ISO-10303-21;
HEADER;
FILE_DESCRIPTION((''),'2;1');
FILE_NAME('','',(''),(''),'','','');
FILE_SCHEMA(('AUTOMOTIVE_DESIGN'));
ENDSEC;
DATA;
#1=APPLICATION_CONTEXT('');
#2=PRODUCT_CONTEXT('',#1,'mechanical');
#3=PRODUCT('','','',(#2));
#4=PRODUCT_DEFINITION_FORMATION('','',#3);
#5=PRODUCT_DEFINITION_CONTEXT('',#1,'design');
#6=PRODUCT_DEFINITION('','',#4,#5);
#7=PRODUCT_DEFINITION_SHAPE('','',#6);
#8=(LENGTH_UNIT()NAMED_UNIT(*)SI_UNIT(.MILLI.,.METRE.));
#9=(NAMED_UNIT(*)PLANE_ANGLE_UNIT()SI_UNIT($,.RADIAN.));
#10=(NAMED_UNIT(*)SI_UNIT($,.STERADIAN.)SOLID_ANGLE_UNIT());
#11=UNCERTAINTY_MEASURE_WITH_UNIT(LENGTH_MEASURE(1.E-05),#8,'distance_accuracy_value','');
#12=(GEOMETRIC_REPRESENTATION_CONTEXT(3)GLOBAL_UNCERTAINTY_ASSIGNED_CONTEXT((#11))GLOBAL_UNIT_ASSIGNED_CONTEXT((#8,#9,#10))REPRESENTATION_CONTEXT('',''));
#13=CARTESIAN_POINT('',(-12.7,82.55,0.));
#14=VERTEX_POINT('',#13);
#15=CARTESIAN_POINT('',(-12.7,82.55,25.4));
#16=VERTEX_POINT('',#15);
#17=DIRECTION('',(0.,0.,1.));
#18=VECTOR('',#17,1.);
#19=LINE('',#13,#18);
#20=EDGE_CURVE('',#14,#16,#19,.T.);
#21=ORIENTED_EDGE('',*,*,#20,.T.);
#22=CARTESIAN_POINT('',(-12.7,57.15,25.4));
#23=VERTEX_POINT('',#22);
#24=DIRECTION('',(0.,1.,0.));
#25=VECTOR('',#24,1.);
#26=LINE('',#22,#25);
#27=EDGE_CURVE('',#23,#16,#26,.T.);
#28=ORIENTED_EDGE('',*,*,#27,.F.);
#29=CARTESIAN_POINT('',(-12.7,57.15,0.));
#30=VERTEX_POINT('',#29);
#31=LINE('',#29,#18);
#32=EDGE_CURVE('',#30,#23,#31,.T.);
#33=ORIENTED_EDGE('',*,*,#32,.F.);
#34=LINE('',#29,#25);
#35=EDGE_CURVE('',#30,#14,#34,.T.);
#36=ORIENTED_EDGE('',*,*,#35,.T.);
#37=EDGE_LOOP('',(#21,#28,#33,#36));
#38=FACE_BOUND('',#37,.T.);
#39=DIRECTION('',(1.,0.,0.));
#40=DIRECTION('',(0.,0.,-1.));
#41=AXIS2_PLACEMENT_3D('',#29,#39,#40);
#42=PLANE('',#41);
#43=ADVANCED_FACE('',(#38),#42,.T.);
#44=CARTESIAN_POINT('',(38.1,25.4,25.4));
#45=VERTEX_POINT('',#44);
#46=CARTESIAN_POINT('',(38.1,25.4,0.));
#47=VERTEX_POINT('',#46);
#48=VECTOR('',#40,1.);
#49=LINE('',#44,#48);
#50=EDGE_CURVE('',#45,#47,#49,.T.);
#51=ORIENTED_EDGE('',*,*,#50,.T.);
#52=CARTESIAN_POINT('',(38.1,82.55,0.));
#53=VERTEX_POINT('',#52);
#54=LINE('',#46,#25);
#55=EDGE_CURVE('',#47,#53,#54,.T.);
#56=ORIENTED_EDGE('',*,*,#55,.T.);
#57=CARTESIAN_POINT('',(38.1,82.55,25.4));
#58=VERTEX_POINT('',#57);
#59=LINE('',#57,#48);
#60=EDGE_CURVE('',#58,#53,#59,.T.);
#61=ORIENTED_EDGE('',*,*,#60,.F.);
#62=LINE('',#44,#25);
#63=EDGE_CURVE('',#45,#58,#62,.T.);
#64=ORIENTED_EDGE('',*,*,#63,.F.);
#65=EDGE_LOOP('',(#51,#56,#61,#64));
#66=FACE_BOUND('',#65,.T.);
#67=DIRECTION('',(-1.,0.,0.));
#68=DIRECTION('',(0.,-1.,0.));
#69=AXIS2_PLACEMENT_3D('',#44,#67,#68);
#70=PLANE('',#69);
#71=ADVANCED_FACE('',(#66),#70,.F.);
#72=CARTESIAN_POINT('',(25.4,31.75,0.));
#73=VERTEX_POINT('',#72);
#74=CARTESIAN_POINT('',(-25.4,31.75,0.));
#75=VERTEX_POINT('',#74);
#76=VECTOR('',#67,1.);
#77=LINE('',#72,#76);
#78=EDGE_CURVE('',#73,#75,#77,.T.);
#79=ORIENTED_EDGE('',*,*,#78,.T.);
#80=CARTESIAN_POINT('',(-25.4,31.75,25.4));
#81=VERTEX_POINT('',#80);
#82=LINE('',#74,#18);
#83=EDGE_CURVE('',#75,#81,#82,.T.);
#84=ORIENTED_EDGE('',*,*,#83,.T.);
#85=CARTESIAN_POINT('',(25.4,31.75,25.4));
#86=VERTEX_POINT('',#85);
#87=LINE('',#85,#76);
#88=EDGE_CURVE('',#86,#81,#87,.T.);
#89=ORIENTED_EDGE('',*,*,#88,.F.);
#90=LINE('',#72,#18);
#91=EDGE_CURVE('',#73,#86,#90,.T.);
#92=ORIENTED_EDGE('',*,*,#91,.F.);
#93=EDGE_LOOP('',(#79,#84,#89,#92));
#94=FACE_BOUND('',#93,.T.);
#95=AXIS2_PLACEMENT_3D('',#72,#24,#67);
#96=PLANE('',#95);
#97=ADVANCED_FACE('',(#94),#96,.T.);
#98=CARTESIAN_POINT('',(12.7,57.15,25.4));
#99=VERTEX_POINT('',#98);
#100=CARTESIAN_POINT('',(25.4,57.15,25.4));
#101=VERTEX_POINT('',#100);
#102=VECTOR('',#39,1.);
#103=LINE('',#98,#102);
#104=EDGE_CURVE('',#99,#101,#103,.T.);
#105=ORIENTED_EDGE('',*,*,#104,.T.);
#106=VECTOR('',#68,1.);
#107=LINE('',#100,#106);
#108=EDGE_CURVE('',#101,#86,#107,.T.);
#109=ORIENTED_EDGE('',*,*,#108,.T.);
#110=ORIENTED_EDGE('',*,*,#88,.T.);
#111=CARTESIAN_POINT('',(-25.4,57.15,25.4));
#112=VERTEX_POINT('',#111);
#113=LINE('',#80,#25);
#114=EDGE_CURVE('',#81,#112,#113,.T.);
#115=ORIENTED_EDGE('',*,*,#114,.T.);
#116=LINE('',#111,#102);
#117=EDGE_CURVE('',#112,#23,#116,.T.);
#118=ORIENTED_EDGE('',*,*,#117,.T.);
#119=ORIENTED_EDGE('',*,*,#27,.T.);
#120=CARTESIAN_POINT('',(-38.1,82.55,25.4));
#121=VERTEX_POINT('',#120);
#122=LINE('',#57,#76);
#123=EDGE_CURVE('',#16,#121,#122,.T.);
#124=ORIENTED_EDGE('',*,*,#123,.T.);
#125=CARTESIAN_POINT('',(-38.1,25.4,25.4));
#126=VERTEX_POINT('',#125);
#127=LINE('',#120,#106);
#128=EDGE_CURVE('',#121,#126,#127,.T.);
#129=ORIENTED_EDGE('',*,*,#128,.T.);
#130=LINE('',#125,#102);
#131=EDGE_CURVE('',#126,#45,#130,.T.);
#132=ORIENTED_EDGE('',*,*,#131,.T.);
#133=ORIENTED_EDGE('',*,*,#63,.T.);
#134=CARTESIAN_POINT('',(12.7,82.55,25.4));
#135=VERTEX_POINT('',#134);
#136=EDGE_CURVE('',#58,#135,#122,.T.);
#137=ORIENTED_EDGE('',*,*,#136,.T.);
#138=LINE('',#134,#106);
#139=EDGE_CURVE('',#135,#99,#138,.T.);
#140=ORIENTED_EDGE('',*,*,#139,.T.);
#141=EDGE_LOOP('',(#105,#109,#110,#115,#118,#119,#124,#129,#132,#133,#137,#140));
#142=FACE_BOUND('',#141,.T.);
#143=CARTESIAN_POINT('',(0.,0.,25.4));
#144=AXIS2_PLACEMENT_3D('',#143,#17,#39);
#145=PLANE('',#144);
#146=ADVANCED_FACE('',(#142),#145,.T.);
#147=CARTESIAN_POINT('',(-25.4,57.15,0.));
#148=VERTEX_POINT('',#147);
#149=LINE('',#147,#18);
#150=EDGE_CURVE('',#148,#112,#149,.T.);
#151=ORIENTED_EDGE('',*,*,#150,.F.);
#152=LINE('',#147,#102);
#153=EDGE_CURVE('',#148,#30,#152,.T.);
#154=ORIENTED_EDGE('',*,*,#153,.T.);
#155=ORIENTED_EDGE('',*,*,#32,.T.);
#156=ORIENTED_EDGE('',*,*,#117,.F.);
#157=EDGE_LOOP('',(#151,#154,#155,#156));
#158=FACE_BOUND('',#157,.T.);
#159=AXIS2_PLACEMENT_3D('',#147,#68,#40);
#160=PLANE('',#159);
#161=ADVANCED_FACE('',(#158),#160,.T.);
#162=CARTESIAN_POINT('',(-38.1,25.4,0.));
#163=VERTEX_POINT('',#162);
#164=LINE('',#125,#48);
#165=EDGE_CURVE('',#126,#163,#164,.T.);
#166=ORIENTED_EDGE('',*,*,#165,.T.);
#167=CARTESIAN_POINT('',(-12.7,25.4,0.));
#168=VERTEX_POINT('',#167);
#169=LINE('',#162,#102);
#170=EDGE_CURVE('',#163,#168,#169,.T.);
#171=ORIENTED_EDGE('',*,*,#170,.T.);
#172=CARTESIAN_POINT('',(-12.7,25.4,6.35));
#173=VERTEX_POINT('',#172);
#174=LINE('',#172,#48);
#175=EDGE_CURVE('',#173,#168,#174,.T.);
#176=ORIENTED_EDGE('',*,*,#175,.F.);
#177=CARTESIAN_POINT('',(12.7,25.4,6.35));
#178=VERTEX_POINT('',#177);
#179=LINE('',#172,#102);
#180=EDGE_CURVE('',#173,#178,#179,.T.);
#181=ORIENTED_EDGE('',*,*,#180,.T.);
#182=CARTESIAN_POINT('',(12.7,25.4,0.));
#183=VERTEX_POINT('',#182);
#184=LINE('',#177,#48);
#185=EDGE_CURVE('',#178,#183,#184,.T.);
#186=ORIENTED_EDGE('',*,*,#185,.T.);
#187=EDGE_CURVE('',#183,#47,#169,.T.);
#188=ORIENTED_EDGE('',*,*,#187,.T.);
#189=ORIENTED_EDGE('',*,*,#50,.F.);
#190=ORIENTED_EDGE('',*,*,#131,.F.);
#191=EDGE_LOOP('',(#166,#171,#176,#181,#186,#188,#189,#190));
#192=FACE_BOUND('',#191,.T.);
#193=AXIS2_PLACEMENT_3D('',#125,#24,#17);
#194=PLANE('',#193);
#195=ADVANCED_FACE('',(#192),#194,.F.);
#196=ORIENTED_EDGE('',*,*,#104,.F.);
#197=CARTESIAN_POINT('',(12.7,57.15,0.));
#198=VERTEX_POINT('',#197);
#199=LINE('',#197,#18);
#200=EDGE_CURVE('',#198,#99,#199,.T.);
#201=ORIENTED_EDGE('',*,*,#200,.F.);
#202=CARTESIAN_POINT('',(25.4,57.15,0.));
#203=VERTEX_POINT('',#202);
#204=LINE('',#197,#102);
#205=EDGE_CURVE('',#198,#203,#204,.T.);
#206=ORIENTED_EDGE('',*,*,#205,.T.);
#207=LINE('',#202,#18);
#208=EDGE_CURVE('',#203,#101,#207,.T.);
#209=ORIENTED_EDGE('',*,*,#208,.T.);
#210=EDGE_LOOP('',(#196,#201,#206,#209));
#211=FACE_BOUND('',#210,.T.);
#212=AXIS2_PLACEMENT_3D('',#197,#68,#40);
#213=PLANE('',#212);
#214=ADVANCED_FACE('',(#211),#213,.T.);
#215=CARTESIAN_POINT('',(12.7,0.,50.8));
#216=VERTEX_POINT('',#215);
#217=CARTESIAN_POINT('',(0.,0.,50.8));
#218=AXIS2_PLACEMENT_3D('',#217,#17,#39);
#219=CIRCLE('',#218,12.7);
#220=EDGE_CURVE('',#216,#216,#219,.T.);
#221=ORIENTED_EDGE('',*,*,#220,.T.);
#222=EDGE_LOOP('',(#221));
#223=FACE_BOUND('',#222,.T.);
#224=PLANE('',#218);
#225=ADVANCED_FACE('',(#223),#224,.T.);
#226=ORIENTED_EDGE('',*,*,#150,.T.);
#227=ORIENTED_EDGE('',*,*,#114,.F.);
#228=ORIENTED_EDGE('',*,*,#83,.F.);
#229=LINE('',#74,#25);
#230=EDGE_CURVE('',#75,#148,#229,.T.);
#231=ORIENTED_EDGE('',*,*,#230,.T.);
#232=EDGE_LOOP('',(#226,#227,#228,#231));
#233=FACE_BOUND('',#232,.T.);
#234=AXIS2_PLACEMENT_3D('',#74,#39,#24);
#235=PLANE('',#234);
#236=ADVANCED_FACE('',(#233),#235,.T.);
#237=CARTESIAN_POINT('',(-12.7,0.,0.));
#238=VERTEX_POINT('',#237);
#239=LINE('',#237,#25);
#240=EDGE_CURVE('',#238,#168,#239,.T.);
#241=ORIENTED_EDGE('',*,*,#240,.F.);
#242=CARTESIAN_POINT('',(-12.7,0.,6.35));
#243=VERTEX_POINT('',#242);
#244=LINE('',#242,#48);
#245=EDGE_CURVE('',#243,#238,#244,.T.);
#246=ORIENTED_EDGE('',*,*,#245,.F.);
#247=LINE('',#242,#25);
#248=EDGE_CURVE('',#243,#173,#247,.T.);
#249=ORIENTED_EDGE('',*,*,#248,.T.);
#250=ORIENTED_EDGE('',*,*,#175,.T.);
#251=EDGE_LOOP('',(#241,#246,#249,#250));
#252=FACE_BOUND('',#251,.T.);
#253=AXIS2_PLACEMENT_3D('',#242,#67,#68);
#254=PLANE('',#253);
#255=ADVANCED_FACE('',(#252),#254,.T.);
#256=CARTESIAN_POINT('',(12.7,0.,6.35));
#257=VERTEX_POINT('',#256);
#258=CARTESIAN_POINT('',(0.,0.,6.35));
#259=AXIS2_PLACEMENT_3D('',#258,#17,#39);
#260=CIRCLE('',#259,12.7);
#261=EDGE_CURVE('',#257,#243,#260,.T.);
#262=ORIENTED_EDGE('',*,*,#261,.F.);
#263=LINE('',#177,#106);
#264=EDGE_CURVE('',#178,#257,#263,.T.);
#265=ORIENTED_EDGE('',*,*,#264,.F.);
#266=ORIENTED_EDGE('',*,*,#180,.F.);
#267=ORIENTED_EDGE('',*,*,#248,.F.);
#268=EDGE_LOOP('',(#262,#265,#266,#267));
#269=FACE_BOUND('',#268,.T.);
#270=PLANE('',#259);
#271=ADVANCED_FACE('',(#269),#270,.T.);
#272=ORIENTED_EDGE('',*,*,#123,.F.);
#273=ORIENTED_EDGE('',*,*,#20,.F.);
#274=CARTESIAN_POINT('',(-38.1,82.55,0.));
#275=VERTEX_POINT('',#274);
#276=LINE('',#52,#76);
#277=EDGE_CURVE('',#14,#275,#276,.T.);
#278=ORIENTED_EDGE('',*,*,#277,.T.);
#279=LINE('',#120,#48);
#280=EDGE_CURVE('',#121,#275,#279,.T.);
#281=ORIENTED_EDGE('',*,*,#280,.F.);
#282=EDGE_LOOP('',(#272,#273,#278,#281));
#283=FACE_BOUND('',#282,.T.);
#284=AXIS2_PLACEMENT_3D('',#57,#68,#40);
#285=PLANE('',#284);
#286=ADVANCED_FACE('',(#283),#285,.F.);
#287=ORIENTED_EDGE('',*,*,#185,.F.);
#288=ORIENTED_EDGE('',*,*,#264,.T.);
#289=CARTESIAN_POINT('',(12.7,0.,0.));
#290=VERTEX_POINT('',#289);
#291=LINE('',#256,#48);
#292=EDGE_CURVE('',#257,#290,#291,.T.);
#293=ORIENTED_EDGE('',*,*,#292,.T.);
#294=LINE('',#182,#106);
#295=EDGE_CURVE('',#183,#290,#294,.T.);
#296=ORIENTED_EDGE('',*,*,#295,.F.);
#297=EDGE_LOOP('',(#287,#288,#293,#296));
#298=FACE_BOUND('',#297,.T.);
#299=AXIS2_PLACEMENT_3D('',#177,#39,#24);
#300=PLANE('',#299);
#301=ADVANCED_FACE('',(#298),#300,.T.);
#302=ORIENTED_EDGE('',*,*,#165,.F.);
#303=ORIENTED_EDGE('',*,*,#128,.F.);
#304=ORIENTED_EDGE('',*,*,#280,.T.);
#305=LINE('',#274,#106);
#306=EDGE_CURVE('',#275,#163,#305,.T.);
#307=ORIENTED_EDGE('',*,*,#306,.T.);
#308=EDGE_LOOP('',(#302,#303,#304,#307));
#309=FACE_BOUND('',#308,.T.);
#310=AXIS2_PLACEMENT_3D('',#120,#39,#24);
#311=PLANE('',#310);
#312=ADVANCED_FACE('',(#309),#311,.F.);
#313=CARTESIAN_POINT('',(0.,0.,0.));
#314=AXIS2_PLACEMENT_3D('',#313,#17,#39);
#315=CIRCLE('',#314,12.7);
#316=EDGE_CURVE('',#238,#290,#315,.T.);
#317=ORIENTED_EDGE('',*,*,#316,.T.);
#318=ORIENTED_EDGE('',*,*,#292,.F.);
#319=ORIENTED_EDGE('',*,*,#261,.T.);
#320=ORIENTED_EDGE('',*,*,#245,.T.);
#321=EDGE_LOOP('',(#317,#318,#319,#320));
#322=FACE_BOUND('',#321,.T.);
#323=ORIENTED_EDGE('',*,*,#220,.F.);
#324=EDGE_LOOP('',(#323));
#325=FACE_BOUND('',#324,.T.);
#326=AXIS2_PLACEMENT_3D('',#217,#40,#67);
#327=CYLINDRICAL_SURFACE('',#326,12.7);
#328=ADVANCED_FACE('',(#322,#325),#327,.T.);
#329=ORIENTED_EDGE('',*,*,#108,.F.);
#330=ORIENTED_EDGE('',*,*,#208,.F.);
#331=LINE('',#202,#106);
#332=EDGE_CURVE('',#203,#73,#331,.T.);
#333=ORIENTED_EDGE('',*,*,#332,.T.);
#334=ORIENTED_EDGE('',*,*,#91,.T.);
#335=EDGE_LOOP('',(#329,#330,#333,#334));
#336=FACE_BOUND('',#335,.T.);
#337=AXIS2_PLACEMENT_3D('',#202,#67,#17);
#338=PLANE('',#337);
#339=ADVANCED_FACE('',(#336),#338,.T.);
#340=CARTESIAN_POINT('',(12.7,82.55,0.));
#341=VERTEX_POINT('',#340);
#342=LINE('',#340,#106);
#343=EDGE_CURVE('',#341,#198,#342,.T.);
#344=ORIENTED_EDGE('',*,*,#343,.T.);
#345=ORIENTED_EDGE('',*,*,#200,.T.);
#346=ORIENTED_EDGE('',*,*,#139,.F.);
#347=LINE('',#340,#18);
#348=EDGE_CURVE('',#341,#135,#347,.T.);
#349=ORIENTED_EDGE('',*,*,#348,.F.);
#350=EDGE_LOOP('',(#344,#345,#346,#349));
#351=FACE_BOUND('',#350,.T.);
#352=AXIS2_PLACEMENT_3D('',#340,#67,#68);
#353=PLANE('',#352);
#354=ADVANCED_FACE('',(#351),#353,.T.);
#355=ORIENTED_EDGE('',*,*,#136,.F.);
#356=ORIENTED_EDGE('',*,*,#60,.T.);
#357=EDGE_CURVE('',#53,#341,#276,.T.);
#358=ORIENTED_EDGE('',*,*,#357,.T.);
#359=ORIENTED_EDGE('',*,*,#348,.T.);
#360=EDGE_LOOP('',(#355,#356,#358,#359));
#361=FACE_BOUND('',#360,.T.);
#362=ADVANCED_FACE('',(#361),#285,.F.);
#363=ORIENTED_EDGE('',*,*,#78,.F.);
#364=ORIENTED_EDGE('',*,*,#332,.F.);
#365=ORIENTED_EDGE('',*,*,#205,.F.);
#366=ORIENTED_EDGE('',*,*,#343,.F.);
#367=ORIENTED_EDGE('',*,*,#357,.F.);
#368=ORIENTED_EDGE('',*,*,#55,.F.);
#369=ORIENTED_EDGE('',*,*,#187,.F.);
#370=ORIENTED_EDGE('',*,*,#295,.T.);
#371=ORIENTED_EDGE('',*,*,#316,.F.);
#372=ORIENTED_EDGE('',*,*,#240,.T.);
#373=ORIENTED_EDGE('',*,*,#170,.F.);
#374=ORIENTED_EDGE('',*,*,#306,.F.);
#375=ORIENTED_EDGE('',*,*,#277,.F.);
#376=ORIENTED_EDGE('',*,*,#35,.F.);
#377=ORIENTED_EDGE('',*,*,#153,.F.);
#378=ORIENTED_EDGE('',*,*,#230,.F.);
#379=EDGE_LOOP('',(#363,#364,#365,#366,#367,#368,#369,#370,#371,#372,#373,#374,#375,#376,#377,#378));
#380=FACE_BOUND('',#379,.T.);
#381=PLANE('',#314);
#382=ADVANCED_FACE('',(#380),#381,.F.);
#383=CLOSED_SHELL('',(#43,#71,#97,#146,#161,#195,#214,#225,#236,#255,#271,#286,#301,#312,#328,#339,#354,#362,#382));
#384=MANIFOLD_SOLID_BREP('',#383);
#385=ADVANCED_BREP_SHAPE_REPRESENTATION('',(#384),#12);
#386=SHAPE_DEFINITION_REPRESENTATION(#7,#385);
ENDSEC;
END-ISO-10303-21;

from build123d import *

# Parameters (mm, degrees)
BOSS_EXTRUDE1_DEPTH = 6.35
SKETCH2_R           = 12.7
BOSS_EXTRUDE2_DEPTH = 50.8
SKETCH3_W           = 76.2
SKETCH3_H           = 57.15
BOSS_EXTRUDE3_DEPTH = 25.4
CUT_EXTRUDE1_DEPTH  = 95.399536545


with BuildPart() as part:
    # Sketch1 → Boss-Extrude1 (new body)
    with BuildSketch(Plane.XY):
        with BuildLine():
            Line((-12.7, 0), (-12.7, 25.4))
            Line((-12.7, 25.4), (12.7, 25.4))
            Line((12.7, 25.4), (12.7, 0))
            ThreePointArc((12.7, 0), (0, 12.7), (-12.7, 0))
        make_face()
    extrude(amount=BOSS_EXTRUDE1_DEPTH)

    # Sketch2 → Boss-Extrude2 (add)
    with BuildSketch(Plane.XY):
        Circle(SKETCH2_R)
    extrude(amount=BOSS_EXTRUDE2_DEPTH)

    # Sketch3 → Boss-Extrude3 (add)
    with BuildSketch(Plane.XY):
        with Locations((0, 53.975)):
            Rectangle(SKETCH3_W, SKETCH3_H)
    extrude(amount=BOSS_EXTRUDE3_DEPTH)

    # Sketch4 → Cut-Extrude1 (cut, through all)
    with BuildSketch(Plane.XY.offset(25.4)):
        Polygon((12.7, 82.55), (12.7, 57.15), (25.4, 57.15), (25.4, 31.75), (-25.4, 31.75), (-25.4, 57.15), (-12.7, 57.15), (-12.7, 82.55), align=None)
    extrude(amount=-CUT_EXTRUDE1_DEPTH, mode=Mode.SUBTRACT)


solid = part.part
